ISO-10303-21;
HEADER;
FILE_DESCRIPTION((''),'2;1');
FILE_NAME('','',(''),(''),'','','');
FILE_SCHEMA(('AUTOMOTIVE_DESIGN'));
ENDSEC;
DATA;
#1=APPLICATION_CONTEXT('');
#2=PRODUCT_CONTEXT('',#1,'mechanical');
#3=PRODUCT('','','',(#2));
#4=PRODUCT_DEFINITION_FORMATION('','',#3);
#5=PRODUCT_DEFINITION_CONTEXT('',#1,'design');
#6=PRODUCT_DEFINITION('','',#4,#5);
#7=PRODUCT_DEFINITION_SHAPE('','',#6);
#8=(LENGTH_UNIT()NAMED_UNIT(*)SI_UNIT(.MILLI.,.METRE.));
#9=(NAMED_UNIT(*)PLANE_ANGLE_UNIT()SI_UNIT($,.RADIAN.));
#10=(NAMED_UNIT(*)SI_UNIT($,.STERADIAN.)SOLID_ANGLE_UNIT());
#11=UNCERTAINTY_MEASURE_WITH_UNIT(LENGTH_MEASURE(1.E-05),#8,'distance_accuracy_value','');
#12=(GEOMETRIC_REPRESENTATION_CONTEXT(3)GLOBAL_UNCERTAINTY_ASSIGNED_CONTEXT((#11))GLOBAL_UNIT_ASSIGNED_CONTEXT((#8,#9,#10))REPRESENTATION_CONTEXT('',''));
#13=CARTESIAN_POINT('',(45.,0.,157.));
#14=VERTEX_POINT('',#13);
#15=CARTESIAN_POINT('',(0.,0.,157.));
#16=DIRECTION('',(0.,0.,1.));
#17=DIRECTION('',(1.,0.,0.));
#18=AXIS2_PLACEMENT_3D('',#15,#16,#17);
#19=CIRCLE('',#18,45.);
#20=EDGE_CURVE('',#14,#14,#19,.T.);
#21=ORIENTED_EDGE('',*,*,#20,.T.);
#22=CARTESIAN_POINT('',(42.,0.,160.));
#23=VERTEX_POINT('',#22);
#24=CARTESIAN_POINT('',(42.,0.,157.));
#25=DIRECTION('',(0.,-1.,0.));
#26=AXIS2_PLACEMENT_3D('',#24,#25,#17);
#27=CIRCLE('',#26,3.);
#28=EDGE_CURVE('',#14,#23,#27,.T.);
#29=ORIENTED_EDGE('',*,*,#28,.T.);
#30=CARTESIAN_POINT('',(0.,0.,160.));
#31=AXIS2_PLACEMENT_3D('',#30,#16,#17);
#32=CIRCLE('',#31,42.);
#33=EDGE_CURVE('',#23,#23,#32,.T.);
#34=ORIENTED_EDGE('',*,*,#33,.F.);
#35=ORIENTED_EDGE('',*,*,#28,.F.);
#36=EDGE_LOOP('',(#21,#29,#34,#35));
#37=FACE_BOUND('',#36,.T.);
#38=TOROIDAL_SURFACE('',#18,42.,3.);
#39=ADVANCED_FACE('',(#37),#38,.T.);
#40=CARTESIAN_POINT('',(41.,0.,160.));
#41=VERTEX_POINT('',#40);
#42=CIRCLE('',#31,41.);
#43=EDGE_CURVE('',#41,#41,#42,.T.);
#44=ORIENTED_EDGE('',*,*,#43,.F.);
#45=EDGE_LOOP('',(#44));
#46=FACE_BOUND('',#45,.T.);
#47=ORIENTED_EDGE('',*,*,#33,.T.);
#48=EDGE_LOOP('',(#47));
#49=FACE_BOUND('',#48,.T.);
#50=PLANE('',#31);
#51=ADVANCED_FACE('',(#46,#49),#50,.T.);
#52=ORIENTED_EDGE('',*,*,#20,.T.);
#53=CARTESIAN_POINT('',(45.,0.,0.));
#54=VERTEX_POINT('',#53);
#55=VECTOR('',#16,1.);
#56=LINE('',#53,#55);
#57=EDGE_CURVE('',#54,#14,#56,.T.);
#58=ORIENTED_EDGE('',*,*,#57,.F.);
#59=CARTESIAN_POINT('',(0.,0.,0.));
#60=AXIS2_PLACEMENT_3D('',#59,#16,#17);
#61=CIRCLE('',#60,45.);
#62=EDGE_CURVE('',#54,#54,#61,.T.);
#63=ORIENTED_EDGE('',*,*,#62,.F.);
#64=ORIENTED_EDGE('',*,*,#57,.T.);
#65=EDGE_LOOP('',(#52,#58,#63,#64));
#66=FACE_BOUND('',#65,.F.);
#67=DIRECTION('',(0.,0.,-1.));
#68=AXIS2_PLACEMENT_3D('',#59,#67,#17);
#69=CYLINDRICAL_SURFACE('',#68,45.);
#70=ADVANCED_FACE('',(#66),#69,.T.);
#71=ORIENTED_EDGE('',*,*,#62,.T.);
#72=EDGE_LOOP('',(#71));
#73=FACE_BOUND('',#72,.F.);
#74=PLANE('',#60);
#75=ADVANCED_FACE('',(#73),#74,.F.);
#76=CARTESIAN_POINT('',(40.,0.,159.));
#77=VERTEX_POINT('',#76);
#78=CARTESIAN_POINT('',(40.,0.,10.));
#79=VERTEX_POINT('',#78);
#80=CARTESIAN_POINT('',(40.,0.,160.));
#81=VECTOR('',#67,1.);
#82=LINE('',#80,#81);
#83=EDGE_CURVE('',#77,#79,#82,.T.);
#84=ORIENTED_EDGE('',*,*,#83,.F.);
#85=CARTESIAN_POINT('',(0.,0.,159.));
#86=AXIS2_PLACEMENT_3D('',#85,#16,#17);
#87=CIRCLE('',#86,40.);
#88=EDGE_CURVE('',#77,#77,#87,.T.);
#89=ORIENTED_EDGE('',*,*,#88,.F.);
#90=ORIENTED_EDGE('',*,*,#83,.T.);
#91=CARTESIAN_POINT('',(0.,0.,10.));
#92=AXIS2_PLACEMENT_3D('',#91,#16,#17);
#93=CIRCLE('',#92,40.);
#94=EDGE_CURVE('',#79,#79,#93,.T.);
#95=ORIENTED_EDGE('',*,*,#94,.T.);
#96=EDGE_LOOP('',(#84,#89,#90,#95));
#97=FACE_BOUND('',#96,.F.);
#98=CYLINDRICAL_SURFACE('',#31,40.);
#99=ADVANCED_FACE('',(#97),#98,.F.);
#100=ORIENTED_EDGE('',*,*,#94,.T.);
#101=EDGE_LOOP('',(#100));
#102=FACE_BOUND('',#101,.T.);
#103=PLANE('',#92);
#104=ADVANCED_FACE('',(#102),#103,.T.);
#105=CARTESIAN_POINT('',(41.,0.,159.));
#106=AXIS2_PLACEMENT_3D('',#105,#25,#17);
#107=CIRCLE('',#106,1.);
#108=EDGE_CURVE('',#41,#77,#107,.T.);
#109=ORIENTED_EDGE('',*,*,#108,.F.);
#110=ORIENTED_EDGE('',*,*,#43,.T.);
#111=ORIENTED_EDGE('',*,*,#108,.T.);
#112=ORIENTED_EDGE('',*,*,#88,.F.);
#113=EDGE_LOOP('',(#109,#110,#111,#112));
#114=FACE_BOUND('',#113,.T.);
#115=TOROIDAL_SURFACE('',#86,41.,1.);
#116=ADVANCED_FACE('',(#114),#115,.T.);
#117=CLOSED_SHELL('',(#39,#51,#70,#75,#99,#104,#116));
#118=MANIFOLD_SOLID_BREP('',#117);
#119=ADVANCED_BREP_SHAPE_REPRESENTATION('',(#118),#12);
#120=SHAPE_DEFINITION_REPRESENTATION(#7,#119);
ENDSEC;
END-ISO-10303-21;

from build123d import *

# Parameters (mm, degrees)
SKETCH_R     = 45
PAD_DEPTH    = 160
FILLET_R     = 3
SKETCH001_R  = 40
POCKET_DEPTH = 150
FILLET001_R  = 1


with BuildPart() as part:
    # Sketch → Pad (new body)
    with BuildSketch(Plane.XY):
        Circle(SKETCH_R)
    extrude(amount=PAD_DEPTH)

    # Fillet
    fillet_edges = [part.edges().sort_by_distance(p)[0] for p in [
        (-45, 0, 160),
    ]]
    fillet(fillet_edges, radius=FILLET_R)

    # Sketch001 (on Face4 of Fillet) → Pocket (cut)
    with BuildSketch(Plane.XY.offset(160)):
        Circle(SKETCH001_R)
    extrude(amount=-POCKET_DEPTH, mode=Mode.SUBTRACT)

    # Fillet001
    fillet001_edges = [part.edges().sort_by_distance(p)[0] for p in [
        (-40, 0, 160),
    ]]
    fillet(fillet001_edges, radius=FILLET001_R)


solid = part.part
